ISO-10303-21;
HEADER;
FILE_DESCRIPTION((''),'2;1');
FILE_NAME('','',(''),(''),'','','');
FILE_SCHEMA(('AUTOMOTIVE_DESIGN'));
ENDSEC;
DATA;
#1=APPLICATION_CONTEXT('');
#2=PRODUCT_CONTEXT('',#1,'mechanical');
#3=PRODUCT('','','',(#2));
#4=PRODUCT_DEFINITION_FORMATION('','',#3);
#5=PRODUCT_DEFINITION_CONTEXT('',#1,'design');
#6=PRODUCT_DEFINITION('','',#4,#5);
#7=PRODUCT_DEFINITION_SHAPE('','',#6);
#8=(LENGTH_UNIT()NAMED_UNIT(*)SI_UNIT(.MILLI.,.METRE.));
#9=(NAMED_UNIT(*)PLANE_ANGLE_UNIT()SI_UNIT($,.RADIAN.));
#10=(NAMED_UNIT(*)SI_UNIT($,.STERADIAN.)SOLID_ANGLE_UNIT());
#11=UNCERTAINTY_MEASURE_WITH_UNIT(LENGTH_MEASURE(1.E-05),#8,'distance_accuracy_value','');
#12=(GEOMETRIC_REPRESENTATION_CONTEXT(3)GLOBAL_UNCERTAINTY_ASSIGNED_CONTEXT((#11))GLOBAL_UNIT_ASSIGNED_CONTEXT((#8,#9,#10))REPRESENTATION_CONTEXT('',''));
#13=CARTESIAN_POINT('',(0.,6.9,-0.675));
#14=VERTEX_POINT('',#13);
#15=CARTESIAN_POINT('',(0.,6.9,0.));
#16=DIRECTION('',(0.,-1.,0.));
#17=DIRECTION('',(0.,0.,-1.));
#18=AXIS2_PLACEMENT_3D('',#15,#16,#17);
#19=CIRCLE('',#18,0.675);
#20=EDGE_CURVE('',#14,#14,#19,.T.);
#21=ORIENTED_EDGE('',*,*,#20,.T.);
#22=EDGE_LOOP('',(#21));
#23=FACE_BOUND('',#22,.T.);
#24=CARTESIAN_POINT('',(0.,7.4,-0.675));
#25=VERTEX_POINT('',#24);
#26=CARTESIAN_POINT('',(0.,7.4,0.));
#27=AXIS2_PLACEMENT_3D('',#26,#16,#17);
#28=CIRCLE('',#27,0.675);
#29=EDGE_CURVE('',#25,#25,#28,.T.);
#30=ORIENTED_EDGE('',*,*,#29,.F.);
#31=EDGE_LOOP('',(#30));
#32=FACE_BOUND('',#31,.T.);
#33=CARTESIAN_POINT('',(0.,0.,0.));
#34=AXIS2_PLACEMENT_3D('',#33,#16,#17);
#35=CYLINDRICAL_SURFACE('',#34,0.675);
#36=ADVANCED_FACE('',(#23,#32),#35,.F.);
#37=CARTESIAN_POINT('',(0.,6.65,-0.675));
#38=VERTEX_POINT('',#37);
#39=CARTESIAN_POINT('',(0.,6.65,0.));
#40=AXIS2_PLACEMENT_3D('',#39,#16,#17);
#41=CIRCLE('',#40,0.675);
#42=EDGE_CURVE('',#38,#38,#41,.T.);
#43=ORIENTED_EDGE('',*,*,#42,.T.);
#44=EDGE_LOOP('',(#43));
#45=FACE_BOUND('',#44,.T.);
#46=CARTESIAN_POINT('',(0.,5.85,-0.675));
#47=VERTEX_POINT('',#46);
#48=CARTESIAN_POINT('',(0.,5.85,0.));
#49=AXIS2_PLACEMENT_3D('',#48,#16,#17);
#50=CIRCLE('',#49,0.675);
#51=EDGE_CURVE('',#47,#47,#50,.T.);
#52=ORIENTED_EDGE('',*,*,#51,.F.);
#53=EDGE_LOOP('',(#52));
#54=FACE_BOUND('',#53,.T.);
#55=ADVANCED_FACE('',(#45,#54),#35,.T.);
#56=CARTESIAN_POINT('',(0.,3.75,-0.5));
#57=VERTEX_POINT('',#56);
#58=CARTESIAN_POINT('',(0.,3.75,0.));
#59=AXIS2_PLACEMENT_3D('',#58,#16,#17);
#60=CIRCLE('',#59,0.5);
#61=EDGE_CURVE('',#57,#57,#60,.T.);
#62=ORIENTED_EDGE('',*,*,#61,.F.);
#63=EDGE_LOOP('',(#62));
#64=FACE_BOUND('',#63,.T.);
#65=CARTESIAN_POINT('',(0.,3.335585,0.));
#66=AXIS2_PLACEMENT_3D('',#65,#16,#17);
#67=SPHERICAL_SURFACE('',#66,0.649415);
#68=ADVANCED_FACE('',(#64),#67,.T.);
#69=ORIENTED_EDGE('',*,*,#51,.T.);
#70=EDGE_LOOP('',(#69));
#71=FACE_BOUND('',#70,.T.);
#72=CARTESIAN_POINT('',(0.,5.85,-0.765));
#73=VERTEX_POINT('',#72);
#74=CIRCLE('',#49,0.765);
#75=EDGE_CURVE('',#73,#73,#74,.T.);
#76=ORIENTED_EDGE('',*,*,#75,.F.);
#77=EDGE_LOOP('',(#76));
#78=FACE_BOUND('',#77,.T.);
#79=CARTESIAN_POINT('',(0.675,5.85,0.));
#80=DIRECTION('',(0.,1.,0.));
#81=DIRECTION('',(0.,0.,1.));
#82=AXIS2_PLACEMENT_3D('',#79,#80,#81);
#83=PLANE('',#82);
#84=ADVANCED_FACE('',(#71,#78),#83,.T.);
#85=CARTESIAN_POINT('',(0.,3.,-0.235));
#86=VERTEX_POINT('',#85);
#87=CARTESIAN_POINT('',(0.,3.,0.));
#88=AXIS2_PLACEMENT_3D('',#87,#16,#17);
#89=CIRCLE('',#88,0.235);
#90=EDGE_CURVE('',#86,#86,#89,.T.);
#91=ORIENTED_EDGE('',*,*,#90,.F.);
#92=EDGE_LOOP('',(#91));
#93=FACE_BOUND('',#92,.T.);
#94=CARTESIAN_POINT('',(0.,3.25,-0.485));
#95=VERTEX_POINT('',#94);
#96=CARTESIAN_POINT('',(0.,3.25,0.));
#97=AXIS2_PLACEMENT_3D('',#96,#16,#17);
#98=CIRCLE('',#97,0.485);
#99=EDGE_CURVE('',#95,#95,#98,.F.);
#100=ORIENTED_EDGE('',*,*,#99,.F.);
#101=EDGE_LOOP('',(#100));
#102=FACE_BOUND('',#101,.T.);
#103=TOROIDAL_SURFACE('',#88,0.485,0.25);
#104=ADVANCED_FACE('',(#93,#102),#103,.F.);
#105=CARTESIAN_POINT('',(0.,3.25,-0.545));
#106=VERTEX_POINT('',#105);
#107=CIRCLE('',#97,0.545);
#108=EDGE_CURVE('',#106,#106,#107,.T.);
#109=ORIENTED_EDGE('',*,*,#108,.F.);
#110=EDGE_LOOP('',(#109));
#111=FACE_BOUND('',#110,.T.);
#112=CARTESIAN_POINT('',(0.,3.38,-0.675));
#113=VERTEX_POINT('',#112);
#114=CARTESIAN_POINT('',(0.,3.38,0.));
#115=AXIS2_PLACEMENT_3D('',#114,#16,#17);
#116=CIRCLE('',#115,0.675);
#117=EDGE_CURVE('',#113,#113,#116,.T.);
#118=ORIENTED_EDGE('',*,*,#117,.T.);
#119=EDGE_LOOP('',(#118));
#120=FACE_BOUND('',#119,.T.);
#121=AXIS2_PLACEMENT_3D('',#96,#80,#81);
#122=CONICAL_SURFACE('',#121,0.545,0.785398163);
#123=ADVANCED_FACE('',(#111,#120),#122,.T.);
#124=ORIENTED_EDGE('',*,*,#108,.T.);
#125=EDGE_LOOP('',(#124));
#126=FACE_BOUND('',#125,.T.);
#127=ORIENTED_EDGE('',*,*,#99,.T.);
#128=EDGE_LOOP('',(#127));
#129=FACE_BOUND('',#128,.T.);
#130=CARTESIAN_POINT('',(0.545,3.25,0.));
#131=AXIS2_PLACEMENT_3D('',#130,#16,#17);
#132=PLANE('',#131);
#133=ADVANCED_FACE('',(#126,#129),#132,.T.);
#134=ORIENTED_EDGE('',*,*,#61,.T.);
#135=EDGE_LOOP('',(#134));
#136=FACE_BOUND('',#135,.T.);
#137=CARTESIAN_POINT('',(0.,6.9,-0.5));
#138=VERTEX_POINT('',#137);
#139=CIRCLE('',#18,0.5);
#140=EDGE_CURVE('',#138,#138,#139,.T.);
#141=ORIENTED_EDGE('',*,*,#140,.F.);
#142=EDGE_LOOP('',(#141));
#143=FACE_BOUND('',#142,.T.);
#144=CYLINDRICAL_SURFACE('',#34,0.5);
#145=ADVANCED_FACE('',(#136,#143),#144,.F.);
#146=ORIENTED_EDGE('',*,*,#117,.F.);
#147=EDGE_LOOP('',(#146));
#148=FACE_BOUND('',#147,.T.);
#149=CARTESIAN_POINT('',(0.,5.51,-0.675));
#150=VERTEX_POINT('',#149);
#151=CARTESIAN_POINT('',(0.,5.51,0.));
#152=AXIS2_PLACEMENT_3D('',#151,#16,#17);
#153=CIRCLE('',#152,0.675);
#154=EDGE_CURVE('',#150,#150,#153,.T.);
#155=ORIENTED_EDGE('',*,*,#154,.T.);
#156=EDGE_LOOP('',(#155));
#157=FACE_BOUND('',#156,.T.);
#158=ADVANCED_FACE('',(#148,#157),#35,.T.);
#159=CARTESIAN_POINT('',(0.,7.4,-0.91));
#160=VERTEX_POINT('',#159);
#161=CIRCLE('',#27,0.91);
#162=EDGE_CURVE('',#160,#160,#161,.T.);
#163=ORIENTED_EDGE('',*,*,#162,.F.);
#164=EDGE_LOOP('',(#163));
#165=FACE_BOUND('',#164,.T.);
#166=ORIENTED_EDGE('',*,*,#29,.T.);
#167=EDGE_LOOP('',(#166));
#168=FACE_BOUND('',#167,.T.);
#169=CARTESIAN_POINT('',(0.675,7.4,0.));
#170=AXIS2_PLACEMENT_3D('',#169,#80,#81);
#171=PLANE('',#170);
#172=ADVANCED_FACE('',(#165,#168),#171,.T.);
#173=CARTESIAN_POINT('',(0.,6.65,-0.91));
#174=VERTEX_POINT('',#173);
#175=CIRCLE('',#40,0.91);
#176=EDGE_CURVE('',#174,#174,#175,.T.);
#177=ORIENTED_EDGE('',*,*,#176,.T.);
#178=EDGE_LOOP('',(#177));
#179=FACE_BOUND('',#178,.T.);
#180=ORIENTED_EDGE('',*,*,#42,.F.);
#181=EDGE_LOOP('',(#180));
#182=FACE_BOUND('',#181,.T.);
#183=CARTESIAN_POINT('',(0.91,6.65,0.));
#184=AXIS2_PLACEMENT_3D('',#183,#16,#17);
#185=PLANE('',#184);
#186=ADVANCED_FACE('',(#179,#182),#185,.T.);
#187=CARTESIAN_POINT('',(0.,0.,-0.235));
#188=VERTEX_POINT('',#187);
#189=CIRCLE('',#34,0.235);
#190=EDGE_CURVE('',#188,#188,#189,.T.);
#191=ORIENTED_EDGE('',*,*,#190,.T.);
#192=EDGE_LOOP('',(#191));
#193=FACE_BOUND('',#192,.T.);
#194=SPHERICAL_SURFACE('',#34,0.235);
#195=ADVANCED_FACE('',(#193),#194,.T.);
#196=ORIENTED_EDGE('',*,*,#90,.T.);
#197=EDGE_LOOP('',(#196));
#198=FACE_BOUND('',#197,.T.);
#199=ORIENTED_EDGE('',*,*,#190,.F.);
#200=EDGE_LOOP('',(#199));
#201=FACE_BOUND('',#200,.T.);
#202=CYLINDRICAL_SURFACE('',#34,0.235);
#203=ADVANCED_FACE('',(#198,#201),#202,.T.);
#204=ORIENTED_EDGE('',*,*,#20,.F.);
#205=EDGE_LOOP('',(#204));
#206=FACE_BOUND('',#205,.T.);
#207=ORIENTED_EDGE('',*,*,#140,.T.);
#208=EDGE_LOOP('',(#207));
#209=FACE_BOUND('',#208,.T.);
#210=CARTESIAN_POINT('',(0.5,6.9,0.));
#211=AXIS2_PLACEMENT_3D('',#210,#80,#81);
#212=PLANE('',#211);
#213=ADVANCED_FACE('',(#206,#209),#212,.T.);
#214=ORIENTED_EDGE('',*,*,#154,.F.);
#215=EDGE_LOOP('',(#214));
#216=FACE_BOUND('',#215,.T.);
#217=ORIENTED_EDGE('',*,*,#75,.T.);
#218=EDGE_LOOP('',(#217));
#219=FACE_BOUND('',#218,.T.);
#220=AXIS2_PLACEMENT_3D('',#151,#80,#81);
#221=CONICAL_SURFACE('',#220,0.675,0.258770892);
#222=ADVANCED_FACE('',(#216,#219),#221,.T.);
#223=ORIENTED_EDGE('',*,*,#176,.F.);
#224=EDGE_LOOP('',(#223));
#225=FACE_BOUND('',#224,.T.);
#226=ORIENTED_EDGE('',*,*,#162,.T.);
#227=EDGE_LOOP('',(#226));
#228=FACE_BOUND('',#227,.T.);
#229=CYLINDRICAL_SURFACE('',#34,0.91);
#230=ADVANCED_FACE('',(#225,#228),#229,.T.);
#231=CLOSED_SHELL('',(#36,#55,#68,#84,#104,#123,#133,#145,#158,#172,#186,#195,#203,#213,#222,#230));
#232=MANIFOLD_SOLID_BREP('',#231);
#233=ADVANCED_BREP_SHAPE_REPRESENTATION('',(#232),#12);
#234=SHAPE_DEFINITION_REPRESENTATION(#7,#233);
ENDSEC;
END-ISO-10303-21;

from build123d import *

# Parameters (mm, degrees)
DOME1_FACE_RADIUS = 0.5
DOME1_HEIGHT      = 0.235
DOME2_FACE_RADIUS = 0.235
DOME2_HEIGHT      = 0.235
FILLET1_R         = 0.25


with BuildPart() as part:
    # Sketch1 → Revolve1 (revolve)
    with BuildSketch(Plane.XY):
        Polygon((0, 0), (0, 3.75), (0.5, 3.75), (0.5, 6.9), (0.675, 6.9), (0.675, 7.4), (0.91, 7.4), (0.91, 6.65), (0.675, 6.65), (0.675, 5.85), (0.765, 5.85), (0.675, 5.51), (0.675, 3.38), (0.545, 3.25), (0.235, 3.25), (0.235, 0), align=None)
    revolve(axis=Axis((0, 0, 0), (0, 1, 0)))

    # Dome1: a dome of height H over a round flat face of radius A is a cap of a sphere of radius (A * A + H * H) / (2 * H)
    dome1_r = (DOME1_FACE_RADIUS * DOME1_FACE_RADIUS + DOME1_HEIGHT * DOME1_HEIGHT) / (2 * DOME1_HEIGHT)
    dome1_base = Plane((0, 3.75, 0), z_dir=(0, 1, 0))
    with Locations(dome1_base.offset(DOME1_HEIGHT - dome1_r)):
        dome1_ball = Sphere(dome1_r, mode=Mode.PRIVATE)
    add(split(dome1_ball, bisect_by=dome1_base, keep=Keep.TOP, mode=Mode.PRIVATE))

    # Dome2: a dome of height H over a round flat face of radius A is a cap of a sphere of radius (A * A + H * H) / (2 * H)
    dome2_r = (DOME2_FACE_RADIUS * DOME2_FACE_RADIUS + DOME2_HEIGHT * DOME2_HEIGHT) / (2 * DOME2_HEIGHT)
    dome2_base = Plane((0, 0, 0), z_dir=(0, -1, 0))
    with Locations(dome2_base.offset(DOME2_HEIGHT - dome2_r)):
        dome2_ball = Sphere(dome2_r, mode=Mode.PRIVATE)
    add(split(dome2_ball, bisect_by=dome2_base, keep=Keep.TOP, mode=Mode.PRIVATE))

    # Fillet1
    fillet1_edges = [part.edges().sort_by_distance(p)[0] for p in [
        (-0.235, 3.25, 0),
    ]]
    fillet(fillet1_edges, radius=FILLET1_R)


solid = part.part
